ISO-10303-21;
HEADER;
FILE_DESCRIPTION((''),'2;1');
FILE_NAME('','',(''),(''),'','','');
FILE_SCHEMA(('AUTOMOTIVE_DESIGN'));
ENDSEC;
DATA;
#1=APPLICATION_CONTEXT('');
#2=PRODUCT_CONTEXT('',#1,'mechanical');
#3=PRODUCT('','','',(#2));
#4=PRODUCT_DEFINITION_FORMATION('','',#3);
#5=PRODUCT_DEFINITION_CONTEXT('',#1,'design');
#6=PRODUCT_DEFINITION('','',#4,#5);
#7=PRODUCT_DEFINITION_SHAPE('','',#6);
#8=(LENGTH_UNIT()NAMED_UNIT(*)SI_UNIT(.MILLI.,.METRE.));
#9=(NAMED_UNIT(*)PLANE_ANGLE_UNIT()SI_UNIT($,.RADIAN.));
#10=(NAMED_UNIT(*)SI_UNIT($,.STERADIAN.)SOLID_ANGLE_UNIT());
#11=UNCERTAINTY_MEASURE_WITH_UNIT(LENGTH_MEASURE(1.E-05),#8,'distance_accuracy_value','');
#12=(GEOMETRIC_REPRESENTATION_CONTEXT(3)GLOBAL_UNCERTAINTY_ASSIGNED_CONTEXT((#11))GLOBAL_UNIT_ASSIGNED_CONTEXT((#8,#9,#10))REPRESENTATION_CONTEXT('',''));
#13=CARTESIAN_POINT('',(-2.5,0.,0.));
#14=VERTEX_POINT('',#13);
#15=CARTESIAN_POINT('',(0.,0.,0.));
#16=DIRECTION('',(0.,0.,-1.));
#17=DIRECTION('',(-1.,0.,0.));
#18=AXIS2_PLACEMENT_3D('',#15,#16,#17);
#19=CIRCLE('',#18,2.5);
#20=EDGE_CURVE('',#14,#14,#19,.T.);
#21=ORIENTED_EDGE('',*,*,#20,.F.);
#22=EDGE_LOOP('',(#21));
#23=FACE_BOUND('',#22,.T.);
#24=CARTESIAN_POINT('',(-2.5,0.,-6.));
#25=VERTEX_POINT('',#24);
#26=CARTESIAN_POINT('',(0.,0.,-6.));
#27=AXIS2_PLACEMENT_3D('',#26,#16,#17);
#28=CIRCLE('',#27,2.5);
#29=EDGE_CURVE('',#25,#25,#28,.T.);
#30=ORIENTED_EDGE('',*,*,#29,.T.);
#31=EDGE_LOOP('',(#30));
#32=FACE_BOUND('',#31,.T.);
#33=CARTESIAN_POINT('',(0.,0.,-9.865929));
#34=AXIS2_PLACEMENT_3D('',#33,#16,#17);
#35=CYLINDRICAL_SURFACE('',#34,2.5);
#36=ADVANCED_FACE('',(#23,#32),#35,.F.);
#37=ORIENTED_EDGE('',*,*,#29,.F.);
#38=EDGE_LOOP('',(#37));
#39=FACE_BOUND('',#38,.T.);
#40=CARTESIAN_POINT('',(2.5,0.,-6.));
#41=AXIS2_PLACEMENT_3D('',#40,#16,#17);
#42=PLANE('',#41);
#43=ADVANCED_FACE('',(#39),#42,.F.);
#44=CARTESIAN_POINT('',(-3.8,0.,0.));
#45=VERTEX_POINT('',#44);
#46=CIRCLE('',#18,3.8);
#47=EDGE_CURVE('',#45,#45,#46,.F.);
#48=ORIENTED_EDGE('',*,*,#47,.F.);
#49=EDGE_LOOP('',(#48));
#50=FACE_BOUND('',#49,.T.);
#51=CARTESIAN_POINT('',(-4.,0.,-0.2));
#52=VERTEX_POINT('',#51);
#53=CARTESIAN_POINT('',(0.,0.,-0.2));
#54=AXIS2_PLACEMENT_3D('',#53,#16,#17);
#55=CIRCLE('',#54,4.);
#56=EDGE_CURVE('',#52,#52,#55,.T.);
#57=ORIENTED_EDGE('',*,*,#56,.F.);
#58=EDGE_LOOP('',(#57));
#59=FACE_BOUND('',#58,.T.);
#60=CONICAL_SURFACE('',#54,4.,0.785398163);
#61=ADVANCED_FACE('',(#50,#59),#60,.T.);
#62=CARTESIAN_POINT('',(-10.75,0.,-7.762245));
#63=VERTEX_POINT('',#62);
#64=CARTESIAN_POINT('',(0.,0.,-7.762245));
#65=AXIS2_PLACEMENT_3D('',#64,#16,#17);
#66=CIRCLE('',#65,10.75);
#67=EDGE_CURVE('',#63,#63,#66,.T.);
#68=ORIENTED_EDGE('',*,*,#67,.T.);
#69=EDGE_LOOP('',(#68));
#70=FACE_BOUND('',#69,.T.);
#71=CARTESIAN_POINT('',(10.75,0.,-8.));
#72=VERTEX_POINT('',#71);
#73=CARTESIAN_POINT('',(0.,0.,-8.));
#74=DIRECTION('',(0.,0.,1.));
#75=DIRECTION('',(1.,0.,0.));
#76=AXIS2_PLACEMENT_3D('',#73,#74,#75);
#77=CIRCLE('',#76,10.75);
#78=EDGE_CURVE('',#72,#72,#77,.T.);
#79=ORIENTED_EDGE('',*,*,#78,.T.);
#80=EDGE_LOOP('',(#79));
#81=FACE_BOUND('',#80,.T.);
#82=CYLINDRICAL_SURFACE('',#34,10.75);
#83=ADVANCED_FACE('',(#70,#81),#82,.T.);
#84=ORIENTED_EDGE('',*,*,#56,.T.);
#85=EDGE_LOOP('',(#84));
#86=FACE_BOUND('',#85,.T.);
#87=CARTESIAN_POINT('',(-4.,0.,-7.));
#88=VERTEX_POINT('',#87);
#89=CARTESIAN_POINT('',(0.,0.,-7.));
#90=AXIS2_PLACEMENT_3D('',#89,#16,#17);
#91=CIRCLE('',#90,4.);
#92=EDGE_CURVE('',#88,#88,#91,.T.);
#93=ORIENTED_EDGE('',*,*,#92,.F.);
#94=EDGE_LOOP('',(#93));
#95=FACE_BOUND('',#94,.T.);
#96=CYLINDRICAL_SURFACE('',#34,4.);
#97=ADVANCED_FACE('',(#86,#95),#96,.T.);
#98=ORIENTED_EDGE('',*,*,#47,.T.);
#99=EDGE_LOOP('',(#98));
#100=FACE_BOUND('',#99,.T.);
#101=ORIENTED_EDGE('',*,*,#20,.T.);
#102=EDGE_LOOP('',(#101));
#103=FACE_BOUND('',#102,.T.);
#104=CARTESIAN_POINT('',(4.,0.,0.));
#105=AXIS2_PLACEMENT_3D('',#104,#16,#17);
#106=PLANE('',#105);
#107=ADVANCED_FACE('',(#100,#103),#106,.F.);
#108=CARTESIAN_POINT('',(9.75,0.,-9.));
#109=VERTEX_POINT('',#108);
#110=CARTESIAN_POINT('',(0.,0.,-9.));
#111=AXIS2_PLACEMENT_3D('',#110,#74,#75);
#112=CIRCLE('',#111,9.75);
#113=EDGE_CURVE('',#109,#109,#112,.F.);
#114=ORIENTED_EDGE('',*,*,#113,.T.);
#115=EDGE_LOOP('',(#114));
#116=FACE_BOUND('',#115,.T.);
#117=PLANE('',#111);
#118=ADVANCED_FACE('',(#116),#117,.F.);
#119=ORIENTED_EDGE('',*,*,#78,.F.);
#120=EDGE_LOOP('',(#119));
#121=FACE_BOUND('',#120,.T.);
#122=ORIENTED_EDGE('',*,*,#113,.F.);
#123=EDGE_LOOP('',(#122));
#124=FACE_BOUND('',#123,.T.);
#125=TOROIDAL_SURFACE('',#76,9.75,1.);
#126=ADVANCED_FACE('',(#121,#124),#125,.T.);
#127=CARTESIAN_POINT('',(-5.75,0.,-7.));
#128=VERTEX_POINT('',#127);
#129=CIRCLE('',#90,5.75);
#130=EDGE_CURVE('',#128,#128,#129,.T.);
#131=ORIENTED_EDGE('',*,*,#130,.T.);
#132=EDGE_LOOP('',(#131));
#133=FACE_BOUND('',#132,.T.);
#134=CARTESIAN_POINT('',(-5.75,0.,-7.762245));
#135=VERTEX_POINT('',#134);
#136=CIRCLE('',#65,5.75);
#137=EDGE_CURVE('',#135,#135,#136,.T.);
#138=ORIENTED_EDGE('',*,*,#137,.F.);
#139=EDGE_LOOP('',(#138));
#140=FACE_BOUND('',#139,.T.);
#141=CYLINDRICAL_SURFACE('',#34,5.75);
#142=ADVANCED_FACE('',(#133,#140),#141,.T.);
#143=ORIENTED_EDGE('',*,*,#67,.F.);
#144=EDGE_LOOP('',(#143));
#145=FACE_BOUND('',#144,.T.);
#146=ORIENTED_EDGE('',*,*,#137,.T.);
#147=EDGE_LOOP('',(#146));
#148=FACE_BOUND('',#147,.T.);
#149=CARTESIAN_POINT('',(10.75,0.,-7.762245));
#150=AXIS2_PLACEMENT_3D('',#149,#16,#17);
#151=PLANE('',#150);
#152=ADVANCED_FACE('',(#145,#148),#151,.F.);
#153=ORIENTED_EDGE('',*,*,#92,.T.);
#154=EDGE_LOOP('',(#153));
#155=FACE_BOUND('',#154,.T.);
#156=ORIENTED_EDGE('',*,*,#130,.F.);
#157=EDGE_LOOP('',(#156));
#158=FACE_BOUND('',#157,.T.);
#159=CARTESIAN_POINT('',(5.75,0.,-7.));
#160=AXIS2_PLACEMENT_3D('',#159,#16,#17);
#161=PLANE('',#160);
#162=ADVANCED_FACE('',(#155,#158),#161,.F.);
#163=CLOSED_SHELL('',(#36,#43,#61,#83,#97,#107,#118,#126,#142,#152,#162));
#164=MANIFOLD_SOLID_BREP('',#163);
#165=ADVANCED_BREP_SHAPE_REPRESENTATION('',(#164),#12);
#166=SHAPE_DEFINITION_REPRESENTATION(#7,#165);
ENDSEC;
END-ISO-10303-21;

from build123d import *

# Parameters (mm, degrees)
CHAMFER3_SIZE = 0.2
FILLET2_R     = 1


with BuildPart() as part:
    # Sketch1 → Revolve1 (revolve)
    with BuildSketch(Plane(origin=(0, 0, 0), x_dir=(1, 0, 0), z_dir=(0, 1, 0)), mode=Mode.PRIVATE) as revolve1_sk:
        Polygon((4, 0), (2.5, 0), (2.5, 6), (0, 6), (0, 9), (10.75, 9), (10.75, 7.762245205), (5.75, 7.762245205), (5.75, 7), (4, 7), align=None)
    revolve(revolve1_sk.sketch.rotate(Axis((0, 0, -9.865928584), (0, 0, 1)), 180), axis=Axis((0, 0, -9.865928584), (0, 0, 1)))

    # Chamfer3
    chamfer3_edges = [part.edges().sort_by_distance(p)[0] for p in [
        (4, 0, 0),
    ]]
    chamfer(chamfer3_edges, length=CHAMFER3_SIZE)

    # Fillet2
    fillet2_edges = [part.edges().sort_by_distance(p)[0] for p in [
        (10.75, 0, -9),
    ]]
    fillet(fillet2_edges, radius=FILLET2_R)


solid = part.part
